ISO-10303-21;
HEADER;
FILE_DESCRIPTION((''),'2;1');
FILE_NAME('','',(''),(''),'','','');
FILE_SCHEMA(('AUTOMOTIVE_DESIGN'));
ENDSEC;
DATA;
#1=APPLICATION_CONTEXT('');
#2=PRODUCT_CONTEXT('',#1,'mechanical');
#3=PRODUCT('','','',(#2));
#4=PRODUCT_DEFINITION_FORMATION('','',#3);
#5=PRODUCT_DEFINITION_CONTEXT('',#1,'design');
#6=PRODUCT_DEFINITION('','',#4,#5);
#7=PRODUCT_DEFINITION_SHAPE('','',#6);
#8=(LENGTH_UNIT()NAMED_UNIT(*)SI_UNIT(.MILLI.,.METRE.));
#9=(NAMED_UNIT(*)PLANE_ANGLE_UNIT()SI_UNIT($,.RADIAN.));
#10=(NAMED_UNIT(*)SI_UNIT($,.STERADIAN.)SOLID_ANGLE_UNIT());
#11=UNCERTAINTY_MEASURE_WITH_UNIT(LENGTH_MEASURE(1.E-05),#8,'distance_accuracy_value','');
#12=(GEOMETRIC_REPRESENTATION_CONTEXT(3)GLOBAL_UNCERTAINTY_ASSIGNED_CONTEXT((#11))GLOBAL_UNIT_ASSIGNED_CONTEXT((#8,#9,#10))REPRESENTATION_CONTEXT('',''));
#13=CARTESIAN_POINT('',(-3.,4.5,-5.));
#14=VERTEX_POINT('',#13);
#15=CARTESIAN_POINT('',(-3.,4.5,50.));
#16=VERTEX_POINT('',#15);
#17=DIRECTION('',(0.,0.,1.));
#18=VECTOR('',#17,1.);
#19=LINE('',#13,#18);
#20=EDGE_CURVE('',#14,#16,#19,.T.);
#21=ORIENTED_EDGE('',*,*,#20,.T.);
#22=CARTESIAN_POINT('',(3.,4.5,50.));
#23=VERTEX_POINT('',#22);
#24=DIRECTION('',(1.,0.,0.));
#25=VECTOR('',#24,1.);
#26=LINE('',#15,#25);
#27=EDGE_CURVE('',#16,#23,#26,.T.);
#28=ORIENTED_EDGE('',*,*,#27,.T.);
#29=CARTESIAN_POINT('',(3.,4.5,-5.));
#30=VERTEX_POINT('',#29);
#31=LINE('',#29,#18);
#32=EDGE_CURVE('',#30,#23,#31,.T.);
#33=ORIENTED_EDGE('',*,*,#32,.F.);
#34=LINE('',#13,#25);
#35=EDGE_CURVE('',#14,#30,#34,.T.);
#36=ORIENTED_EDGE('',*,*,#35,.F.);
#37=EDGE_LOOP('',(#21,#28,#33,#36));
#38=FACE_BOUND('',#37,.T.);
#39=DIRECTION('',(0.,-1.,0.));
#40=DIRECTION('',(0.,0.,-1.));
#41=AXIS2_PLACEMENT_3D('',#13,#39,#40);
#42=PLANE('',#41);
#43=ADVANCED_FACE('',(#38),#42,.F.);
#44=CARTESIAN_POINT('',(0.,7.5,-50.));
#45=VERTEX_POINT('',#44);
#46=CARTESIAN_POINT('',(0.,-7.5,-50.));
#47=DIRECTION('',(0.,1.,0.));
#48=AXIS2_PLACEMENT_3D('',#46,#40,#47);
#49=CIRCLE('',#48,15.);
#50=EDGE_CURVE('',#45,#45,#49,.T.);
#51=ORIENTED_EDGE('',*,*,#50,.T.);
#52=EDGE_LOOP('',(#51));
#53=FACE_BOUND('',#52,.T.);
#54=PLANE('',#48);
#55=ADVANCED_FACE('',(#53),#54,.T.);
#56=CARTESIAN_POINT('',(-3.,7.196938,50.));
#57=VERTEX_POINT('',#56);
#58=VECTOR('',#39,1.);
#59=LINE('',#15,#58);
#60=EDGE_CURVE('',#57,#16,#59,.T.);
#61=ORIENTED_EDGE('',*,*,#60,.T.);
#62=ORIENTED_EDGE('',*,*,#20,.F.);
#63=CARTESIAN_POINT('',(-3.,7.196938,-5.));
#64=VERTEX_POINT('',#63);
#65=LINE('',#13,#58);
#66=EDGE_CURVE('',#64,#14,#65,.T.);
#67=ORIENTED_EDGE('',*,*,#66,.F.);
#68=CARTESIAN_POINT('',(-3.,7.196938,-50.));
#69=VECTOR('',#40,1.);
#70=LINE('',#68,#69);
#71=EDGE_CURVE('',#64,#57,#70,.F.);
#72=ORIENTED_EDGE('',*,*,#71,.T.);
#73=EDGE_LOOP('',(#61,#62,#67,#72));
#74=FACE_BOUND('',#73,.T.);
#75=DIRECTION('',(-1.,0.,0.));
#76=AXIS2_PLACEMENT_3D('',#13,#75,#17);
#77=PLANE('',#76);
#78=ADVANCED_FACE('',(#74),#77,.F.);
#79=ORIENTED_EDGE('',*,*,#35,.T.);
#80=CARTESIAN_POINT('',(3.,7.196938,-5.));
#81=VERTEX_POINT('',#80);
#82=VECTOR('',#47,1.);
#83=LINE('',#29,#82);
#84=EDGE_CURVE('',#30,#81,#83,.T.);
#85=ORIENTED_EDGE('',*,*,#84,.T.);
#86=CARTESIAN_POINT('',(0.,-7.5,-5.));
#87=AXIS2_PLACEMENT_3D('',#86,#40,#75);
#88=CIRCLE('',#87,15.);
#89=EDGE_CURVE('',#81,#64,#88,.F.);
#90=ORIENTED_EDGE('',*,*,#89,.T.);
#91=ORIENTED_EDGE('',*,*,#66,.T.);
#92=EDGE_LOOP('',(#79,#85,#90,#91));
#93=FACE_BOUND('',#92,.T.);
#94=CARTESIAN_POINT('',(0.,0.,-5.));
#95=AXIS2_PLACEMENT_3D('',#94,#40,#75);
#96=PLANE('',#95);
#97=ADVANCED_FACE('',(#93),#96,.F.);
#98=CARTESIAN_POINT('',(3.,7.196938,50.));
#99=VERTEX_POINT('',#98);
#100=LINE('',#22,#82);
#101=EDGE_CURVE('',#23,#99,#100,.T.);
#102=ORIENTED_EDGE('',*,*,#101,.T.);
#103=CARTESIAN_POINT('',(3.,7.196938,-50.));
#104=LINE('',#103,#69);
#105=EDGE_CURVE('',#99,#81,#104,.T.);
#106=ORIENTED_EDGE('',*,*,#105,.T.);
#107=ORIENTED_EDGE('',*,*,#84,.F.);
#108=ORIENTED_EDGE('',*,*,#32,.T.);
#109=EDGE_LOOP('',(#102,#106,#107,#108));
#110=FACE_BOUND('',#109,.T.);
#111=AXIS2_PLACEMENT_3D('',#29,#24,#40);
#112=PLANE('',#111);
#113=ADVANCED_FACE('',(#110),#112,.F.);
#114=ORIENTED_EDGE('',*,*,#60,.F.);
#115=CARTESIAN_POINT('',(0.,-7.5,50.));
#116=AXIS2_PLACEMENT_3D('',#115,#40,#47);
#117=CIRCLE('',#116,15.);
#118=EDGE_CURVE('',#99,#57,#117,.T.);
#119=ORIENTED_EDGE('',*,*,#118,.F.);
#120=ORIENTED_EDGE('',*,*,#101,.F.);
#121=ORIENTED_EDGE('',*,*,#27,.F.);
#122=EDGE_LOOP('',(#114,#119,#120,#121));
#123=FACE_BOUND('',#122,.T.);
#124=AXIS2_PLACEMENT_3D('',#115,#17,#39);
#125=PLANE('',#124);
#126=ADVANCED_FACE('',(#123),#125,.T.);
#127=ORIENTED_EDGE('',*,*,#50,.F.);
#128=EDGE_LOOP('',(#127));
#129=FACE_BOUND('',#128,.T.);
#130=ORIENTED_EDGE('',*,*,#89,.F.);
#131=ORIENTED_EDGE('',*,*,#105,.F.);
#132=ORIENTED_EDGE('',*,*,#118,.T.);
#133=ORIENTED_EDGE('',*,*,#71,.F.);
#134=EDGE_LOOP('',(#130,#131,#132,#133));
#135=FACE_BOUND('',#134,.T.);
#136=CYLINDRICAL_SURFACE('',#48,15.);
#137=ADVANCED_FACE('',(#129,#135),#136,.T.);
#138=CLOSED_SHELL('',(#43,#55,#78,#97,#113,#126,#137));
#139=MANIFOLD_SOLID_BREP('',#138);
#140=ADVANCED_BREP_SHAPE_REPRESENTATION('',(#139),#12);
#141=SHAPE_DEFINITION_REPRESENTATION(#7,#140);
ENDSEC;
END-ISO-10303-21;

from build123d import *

# Parameters (mm, degrees)
SKETCH1_W          = 100
SKETCH1_H          = 15
SKETCH2_W          = 6
SKETCH2_H          = 6
CUT_EXTRUDE1_DEPTH = 55


with BuildPart() as part:
    # Sketch1 → Revolve1 (revolve)
    with BuildSketch(Plane(origin=(0, 0, 0), x_dir=(0, 0, -1), z_dir=(1, 0, 0))):
        Rectangle(SKETCH1_W, SKETCH1_H)
    revolve(axis=Axis((0, -7.5, -50), (0, 0, 1)))

    # Sketch2 → Cut-Extrude1 (cut)
    with BuildSketch(Plane.XY.offset(50)):
        with Locations((0, 7.5)):
            Rectangle(SKETCH2_W, SKETCH2_H)
    extrude(amount=-CUT_EXTRUDE1_DEPTH, mode=Mode.SUBTRACT)


solid = part.part
